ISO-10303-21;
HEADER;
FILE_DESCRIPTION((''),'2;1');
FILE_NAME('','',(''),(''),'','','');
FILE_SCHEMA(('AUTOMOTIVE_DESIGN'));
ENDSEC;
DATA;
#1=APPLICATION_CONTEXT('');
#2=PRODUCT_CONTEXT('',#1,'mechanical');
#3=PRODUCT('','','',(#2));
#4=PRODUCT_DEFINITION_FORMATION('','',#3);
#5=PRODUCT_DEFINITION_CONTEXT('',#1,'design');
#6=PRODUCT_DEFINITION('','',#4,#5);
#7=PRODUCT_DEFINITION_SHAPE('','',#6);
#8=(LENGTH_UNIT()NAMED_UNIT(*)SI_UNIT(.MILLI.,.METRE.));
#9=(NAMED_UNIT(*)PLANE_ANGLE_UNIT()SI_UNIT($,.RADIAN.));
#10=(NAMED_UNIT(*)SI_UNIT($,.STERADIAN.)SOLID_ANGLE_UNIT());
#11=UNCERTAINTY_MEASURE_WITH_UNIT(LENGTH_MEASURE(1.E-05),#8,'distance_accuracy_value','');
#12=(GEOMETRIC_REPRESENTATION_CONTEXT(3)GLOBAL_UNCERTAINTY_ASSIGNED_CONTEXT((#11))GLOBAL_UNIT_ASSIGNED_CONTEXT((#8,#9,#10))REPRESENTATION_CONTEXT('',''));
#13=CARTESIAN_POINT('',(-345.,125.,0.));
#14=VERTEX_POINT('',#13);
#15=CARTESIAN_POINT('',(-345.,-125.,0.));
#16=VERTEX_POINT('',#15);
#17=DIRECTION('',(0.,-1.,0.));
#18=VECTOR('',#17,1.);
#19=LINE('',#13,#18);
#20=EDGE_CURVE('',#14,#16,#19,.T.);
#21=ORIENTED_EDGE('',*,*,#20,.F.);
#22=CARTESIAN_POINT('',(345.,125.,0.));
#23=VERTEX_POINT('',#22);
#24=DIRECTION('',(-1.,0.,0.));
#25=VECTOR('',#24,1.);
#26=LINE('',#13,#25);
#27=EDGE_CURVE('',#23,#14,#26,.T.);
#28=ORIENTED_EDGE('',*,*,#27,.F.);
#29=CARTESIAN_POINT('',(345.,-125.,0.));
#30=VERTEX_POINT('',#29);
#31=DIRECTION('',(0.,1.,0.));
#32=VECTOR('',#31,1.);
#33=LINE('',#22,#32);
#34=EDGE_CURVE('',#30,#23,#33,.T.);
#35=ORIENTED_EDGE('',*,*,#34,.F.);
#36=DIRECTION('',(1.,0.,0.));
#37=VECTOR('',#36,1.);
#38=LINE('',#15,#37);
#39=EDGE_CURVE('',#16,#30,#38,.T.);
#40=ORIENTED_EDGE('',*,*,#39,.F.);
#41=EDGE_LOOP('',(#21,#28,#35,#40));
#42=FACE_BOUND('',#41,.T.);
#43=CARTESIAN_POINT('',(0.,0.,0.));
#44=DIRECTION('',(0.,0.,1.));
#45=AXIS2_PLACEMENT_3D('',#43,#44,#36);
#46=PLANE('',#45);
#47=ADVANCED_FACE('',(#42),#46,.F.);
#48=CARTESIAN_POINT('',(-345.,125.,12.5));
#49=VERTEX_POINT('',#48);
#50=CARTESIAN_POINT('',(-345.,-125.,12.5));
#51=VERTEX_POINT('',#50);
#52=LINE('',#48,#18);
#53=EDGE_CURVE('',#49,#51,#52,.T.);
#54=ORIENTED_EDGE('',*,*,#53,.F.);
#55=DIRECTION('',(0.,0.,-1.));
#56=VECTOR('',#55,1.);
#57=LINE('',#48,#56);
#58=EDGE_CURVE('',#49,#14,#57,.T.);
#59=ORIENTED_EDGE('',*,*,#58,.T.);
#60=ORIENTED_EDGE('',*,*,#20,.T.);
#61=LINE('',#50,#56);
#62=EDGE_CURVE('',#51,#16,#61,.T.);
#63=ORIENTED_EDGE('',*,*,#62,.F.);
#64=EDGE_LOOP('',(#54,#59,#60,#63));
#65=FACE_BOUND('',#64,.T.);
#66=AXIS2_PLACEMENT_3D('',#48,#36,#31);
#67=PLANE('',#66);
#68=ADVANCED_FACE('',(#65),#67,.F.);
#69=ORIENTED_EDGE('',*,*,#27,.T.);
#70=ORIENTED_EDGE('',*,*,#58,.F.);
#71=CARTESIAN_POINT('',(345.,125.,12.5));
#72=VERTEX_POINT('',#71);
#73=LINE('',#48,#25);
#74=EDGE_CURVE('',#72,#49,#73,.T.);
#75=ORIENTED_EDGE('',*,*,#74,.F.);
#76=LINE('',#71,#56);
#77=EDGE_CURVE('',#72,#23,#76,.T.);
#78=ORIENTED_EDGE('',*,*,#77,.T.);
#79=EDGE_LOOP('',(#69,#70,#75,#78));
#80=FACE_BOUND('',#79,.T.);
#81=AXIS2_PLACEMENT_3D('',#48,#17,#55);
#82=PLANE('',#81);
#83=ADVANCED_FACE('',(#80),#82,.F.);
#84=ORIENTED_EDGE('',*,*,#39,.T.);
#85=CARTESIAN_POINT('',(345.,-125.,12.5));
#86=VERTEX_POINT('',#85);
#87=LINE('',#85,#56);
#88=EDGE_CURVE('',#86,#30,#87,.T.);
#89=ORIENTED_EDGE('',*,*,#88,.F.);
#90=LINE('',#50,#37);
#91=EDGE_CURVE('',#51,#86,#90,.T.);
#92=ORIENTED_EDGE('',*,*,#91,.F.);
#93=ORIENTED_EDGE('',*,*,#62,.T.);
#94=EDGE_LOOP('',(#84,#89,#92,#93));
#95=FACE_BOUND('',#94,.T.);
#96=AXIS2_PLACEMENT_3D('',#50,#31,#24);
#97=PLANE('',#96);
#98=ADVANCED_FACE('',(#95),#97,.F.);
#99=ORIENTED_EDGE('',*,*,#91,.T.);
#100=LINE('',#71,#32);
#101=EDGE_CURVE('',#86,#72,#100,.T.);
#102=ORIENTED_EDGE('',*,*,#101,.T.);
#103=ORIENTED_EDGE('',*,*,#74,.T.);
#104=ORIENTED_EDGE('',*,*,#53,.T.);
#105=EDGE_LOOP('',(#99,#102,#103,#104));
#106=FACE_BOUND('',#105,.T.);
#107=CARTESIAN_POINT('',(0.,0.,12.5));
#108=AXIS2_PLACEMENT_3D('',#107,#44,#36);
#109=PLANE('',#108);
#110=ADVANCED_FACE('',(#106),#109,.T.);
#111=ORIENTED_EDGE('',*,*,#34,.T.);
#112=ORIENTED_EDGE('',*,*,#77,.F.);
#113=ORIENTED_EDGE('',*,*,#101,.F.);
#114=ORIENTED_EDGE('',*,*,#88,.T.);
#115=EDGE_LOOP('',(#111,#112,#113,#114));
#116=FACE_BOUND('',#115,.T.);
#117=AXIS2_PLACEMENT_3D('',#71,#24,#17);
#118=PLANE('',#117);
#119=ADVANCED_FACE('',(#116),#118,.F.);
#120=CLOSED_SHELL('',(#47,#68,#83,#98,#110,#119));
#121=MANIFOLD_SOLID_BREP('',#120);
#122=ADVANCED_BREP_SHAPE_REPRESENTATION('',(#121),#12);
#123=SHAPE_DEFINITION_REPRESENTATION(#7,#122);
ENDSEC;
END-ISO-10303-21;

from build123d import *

# Parameters (mm, degrees)
SKETCH1_W           = 690
SKETCH1_H           = 250
BOSS_EXTRUDE1_DEPTH = 12.5


with BuildPart() as part:
    # Sketch1 → Boss-Extrude1 (new body)
    with BuildSketch(Plane.XY):
        Rectangle(SKETCH1_W, SKETCH1_H)
    extrude(amount=BOSS_EXTRUDE1_DEPTH)


solid = part.part
